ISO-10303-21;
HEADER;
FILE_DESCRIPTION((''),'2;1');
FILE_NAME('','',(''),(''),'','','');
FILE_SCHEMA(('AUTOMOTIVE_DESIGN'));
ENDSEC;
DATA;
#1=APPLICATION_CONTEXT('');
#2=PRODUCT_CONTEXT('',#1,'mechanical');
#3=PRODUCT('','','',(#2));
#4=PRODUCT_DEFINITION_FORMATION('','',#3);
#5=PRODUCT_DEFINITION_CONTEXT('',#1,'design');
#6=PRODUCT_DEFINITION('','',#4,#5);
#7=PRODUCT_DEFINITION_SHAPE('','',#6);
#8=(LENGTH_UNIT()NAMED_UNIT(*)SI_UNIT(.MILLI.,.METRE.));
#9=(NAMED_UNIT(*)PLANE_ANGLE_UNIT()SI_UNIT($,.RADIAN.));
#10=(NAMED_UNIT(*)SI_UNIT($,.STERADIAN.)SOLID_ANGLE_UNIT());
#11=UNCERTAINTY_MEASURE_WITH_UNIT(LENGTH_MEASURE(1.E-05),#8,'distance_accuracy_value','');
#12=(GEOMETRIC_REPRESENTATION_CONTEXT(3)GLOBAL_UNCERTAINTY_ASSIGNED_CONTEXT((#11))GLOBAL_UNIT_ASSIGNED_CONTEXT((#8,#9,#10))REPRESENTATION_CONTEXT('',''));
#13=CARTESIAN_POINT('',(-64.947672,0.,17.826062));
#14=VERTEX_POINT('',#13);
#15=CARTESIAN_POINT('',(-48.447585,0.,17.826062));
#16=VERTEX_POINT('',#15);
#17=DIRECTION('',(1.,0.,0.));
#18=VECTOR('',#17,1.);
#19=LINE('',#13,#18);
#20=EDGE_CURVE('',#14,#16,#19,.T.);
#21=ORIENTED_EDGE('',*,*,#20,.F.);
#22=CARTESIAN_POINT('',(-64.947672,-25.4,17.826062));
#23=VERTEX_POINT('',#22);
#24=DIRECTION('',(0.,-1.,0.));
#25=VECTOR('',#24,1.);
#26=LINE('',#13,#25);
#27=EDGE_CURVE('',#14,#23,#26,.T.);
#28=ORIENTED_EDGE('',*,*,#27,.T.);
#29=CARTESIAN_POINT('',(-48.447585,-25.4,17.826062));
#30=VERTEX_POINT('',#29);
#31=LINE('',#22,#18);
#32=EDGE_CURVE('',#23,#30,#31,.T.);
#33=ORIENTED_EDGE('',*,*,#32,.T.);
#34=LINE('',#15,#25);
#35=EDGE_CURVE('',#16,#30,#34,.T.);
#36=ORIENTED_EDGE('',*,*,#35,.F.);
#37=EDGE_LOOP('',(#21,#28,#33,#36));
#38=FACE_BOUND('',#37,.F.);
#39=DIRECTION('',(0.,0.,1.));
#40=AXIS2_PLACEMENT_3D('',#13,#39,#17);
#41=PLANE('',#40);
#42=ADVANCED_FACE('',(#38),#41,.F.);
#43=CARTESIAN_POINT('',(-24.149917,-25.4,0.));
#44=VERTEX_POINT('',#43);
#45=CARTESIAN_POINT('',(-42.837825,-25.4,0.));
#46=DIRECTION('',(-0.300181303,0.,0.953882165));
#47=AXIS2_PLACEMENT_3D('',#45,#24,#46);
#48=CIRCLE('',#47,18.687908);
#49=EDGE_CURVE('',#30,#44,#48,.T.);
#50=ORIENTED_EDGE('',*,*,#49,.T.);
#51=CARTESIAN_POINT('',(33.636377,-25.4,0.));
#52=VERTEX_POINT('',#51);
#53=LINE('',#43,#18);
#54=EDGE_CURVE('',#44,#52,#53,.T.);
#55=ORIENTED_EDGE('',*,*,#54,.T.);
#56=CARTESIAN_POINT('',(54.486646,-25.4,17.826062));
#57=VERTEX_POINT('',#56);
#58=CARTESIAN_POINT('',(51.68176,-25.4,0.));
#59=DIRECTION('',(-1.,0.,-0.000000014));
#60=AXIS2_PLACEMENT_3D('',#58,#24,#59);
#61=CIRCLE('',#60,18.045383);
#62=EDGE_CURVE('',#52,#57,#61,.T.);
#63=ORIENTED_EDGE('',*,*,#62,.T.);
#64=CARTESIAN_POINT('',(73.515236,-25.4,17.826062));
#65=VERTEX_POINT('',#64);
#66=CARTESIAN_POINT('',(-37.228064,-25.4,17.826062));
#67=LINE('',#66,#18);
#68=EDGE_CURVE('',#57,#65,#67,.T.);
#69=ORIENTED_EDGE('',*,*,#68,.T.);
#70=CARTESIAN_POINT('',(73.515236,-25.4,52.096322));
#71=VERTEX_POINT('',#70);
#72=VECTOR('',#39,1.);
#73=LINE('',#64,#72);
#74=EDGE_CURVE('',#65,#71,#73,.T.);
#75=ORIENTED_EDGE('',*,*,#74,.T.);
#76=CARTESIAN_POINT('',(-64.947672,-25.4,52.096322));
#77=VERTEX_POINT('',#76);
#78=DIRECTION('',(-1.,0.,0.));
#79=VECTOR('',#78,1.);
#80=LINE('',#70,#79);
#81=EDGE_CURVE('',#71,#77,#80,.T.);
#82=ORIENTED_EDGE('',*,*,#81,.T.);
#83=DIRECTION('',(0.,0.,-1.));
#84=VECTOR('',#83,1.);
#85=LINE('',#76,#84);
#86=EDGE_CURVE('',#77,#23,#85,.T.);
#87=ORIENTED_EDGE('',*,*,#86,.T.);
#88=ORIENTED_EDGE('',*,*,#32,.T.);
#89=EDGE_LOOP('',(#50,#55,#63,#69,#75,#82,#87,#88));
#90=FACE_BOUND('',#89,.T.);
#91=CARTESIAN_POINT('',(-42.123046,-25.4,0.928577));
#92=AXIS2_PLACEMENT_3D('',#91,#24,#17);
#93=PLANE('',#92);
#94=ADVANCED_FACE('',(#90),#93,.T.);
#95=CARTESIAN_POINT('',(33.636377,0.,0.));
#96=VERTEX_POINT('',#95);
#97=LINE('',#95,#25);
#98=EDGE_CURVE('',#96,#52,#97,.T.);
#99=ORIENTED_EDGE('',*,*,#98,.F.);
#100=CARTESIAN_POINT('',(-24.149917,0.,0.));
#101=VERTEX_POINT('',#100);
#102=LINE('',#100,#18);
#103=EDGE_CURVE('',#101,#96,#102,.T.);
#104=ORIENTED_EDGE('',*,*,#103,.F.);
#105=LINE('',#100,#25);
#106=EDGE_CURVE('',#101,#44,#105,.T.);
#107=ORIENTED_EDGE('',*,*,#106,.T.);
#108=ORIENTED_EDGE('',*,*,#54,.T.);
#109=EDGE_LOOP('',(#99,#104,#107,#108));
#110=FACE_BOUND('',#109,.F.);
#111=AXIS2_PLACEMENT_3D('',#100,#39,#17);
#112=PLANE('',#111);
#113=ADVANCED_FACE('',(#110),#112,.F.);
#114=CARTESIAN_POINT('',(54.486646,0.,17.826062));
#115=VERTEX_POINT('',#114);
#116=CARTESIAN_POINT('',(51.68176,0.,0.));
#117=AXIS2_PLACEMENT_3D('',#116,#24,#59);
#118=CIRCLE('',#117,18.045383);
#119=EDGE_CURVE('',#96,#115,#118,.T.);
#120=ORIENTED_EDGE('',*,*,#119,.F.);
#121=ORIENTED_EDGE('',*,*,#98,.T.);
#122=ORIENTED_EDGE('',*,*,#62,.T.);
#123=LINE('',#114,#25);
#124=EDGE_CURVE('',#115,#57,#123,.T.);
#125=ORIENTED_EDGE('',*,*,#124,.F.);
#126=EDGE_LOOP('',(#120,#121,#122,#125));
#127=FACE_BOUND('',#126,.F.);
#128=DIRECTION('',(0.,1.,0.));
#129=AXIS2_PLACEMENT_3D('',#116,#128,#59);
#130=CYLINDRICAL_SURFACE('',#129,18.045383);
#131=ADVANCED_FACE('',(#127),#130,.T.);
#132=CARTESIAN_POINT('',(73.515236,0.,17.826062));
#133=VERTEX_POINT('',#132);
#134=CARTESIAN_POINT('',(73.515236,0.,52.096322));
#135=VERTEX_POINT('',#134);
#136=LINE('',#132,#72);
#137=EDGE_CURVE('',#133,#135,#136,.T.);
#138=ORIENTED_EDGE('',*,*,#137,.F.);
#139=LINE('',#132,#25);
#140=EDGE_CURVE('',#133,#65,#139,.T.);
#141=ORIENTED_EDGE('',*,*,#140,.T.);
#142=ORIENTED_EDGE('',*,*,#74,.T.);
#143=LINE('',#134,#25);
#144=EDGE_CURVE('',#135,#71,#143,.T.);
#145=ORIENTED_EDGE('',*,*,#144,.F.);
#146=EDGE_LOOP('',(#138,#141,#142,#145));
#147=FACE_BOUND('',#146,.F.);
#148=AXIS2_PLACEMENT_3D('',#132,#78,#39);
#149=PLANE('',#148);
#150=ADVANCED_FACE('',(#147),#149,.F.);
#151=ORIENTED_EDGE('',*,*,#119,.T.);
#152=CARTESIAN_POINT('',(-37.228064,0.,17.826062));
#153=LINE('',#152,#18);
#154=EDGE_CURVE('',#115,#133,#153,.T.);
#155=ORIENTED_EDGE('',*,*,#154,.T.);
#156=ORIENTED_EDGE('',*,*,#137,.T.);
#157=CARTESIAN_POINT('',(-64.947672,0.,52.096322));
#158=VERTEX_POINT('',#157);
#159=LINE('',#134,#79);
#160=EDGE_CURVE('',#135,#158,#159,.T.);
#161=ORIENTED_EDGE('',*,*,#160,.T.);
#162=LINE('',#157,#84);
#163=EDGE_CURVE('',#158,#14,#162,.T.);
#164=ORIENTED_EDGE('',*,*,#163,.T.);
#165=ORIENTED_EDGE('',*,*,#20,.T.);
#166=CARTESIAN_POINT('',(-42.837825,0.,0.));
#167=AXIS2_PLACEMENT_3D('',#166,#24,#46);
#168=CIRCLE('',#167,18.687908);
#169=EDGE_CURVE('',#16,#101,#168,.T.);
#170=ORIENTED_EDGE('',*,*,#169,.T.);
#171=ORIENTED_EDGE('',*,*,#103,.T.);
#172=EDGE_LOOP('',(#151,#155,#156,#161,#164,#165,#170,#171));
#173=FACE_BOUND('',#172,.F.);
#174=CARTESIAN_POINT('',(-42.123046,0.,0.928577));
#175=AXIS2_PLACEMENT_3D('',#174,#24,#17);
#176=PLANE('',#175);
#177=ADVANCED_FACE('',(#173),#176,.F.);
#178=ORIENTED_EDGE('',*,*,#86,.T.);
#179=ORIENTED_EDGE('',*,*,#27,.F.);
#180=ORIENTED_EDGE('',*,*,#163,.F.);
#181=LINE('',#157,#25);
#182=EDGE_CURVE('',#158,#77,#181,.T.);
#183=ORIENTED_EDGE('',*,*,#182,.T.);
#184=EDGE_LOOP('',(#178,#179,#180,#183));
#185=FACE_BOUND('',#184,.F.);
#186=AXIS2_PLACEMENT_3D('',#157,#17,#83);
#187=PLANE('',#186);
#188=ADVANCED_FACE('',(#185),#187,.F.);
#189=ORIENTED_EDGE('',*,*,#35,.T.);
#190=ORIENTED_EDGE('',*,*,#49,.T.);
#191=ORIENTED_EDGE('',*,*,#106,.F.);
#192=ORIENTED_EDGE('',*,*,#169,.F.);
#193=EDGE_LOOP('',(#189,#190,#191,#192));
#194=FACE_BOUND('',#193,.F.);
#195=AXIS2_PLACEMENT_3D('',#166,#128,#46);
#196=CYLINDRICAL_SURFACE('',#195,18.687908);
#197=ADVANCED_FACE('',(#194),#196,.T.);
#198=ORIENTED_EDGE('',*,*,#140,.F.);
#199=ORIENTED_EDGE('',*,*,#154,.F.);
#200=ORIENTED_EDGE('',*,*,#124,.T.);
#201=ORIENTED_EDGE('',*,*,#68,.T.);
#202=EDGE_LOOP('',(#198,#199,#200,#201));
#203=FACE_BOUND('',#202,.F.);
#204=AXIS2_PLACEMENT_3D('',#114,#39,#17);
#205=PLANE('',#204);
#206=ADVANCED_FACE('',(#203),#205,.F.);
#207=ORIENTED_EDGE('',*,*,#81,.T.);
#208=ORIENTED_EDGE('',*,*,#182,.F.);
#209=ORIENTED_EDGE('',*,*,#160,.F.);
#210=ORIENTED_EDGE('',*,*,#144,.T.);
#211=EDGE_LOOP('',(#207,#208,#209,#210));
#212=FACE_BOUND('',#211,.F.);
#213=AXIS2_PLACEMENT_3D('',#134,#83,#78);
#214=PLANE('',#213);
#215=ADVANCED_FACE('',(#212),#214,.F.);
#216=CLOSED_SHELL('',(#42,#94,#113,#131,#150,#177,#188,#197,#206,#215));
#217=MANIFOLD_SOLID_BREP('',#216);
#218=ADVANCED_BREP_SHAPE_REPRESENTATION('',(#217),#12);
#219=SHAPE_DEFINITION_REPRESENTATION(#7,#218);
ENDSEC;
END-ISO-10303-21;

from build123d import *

# Parameters (mm, degrees)
F1_DEPTH = 25.4


with BuildPart() as f1:
    # F0 (on Front) → F1 (new body)
    with BuildSketch(Plane.XZ):
        with BuildLine():
            Line((-37.228064, 17.826062), (-48.447585, 17.826062))
            ThreePointArc((-48.447585, 17.826062), (-53.892308, -15.067723), (-24.149917, 0))
            ThreePointArc((-24.149917, 0), (-27.770101, 11.054483), (-37.228064, 17.826062))
        make_face()
        Polygon((-64.947672, 17.826062), (-48.447585, 17.826062), (-37.228064, 17.826062), (48.876876, 17.826062), (54.486646, 17.826062), (73.515236, 17.826062), (73.515236, 52.096322), (-64.947672, 52.096322), align=None)
        with BuildLine():
            ThreePointArc((-37.228064, 17.826062), (-27.770101, 11.054483), (-24.149917, 0))
            Line((-24.149917, 0), (33.636377, 0))
            ThreePointArc((33.636377, 0), (37.965874, 11.726479), (48.876876, 17.826062))
            Line((48.876876, 17.826062), (-37.228064, 17.826062))
        make_face()
        with BuildLine():
            ThreePointArc((48.876876, 17.826062), (37.965874, 11.726479), (33.636377, 0))
            ThreePointArc((33.636377, 0), (63.40824, -13.715886), (54.486646, 17.826062))
            Line((54.486646, 17.826062), (48.876876, 17.826062))
        make_face()
    extrude(amount=F1_DEPTH)


solid = f1.part
